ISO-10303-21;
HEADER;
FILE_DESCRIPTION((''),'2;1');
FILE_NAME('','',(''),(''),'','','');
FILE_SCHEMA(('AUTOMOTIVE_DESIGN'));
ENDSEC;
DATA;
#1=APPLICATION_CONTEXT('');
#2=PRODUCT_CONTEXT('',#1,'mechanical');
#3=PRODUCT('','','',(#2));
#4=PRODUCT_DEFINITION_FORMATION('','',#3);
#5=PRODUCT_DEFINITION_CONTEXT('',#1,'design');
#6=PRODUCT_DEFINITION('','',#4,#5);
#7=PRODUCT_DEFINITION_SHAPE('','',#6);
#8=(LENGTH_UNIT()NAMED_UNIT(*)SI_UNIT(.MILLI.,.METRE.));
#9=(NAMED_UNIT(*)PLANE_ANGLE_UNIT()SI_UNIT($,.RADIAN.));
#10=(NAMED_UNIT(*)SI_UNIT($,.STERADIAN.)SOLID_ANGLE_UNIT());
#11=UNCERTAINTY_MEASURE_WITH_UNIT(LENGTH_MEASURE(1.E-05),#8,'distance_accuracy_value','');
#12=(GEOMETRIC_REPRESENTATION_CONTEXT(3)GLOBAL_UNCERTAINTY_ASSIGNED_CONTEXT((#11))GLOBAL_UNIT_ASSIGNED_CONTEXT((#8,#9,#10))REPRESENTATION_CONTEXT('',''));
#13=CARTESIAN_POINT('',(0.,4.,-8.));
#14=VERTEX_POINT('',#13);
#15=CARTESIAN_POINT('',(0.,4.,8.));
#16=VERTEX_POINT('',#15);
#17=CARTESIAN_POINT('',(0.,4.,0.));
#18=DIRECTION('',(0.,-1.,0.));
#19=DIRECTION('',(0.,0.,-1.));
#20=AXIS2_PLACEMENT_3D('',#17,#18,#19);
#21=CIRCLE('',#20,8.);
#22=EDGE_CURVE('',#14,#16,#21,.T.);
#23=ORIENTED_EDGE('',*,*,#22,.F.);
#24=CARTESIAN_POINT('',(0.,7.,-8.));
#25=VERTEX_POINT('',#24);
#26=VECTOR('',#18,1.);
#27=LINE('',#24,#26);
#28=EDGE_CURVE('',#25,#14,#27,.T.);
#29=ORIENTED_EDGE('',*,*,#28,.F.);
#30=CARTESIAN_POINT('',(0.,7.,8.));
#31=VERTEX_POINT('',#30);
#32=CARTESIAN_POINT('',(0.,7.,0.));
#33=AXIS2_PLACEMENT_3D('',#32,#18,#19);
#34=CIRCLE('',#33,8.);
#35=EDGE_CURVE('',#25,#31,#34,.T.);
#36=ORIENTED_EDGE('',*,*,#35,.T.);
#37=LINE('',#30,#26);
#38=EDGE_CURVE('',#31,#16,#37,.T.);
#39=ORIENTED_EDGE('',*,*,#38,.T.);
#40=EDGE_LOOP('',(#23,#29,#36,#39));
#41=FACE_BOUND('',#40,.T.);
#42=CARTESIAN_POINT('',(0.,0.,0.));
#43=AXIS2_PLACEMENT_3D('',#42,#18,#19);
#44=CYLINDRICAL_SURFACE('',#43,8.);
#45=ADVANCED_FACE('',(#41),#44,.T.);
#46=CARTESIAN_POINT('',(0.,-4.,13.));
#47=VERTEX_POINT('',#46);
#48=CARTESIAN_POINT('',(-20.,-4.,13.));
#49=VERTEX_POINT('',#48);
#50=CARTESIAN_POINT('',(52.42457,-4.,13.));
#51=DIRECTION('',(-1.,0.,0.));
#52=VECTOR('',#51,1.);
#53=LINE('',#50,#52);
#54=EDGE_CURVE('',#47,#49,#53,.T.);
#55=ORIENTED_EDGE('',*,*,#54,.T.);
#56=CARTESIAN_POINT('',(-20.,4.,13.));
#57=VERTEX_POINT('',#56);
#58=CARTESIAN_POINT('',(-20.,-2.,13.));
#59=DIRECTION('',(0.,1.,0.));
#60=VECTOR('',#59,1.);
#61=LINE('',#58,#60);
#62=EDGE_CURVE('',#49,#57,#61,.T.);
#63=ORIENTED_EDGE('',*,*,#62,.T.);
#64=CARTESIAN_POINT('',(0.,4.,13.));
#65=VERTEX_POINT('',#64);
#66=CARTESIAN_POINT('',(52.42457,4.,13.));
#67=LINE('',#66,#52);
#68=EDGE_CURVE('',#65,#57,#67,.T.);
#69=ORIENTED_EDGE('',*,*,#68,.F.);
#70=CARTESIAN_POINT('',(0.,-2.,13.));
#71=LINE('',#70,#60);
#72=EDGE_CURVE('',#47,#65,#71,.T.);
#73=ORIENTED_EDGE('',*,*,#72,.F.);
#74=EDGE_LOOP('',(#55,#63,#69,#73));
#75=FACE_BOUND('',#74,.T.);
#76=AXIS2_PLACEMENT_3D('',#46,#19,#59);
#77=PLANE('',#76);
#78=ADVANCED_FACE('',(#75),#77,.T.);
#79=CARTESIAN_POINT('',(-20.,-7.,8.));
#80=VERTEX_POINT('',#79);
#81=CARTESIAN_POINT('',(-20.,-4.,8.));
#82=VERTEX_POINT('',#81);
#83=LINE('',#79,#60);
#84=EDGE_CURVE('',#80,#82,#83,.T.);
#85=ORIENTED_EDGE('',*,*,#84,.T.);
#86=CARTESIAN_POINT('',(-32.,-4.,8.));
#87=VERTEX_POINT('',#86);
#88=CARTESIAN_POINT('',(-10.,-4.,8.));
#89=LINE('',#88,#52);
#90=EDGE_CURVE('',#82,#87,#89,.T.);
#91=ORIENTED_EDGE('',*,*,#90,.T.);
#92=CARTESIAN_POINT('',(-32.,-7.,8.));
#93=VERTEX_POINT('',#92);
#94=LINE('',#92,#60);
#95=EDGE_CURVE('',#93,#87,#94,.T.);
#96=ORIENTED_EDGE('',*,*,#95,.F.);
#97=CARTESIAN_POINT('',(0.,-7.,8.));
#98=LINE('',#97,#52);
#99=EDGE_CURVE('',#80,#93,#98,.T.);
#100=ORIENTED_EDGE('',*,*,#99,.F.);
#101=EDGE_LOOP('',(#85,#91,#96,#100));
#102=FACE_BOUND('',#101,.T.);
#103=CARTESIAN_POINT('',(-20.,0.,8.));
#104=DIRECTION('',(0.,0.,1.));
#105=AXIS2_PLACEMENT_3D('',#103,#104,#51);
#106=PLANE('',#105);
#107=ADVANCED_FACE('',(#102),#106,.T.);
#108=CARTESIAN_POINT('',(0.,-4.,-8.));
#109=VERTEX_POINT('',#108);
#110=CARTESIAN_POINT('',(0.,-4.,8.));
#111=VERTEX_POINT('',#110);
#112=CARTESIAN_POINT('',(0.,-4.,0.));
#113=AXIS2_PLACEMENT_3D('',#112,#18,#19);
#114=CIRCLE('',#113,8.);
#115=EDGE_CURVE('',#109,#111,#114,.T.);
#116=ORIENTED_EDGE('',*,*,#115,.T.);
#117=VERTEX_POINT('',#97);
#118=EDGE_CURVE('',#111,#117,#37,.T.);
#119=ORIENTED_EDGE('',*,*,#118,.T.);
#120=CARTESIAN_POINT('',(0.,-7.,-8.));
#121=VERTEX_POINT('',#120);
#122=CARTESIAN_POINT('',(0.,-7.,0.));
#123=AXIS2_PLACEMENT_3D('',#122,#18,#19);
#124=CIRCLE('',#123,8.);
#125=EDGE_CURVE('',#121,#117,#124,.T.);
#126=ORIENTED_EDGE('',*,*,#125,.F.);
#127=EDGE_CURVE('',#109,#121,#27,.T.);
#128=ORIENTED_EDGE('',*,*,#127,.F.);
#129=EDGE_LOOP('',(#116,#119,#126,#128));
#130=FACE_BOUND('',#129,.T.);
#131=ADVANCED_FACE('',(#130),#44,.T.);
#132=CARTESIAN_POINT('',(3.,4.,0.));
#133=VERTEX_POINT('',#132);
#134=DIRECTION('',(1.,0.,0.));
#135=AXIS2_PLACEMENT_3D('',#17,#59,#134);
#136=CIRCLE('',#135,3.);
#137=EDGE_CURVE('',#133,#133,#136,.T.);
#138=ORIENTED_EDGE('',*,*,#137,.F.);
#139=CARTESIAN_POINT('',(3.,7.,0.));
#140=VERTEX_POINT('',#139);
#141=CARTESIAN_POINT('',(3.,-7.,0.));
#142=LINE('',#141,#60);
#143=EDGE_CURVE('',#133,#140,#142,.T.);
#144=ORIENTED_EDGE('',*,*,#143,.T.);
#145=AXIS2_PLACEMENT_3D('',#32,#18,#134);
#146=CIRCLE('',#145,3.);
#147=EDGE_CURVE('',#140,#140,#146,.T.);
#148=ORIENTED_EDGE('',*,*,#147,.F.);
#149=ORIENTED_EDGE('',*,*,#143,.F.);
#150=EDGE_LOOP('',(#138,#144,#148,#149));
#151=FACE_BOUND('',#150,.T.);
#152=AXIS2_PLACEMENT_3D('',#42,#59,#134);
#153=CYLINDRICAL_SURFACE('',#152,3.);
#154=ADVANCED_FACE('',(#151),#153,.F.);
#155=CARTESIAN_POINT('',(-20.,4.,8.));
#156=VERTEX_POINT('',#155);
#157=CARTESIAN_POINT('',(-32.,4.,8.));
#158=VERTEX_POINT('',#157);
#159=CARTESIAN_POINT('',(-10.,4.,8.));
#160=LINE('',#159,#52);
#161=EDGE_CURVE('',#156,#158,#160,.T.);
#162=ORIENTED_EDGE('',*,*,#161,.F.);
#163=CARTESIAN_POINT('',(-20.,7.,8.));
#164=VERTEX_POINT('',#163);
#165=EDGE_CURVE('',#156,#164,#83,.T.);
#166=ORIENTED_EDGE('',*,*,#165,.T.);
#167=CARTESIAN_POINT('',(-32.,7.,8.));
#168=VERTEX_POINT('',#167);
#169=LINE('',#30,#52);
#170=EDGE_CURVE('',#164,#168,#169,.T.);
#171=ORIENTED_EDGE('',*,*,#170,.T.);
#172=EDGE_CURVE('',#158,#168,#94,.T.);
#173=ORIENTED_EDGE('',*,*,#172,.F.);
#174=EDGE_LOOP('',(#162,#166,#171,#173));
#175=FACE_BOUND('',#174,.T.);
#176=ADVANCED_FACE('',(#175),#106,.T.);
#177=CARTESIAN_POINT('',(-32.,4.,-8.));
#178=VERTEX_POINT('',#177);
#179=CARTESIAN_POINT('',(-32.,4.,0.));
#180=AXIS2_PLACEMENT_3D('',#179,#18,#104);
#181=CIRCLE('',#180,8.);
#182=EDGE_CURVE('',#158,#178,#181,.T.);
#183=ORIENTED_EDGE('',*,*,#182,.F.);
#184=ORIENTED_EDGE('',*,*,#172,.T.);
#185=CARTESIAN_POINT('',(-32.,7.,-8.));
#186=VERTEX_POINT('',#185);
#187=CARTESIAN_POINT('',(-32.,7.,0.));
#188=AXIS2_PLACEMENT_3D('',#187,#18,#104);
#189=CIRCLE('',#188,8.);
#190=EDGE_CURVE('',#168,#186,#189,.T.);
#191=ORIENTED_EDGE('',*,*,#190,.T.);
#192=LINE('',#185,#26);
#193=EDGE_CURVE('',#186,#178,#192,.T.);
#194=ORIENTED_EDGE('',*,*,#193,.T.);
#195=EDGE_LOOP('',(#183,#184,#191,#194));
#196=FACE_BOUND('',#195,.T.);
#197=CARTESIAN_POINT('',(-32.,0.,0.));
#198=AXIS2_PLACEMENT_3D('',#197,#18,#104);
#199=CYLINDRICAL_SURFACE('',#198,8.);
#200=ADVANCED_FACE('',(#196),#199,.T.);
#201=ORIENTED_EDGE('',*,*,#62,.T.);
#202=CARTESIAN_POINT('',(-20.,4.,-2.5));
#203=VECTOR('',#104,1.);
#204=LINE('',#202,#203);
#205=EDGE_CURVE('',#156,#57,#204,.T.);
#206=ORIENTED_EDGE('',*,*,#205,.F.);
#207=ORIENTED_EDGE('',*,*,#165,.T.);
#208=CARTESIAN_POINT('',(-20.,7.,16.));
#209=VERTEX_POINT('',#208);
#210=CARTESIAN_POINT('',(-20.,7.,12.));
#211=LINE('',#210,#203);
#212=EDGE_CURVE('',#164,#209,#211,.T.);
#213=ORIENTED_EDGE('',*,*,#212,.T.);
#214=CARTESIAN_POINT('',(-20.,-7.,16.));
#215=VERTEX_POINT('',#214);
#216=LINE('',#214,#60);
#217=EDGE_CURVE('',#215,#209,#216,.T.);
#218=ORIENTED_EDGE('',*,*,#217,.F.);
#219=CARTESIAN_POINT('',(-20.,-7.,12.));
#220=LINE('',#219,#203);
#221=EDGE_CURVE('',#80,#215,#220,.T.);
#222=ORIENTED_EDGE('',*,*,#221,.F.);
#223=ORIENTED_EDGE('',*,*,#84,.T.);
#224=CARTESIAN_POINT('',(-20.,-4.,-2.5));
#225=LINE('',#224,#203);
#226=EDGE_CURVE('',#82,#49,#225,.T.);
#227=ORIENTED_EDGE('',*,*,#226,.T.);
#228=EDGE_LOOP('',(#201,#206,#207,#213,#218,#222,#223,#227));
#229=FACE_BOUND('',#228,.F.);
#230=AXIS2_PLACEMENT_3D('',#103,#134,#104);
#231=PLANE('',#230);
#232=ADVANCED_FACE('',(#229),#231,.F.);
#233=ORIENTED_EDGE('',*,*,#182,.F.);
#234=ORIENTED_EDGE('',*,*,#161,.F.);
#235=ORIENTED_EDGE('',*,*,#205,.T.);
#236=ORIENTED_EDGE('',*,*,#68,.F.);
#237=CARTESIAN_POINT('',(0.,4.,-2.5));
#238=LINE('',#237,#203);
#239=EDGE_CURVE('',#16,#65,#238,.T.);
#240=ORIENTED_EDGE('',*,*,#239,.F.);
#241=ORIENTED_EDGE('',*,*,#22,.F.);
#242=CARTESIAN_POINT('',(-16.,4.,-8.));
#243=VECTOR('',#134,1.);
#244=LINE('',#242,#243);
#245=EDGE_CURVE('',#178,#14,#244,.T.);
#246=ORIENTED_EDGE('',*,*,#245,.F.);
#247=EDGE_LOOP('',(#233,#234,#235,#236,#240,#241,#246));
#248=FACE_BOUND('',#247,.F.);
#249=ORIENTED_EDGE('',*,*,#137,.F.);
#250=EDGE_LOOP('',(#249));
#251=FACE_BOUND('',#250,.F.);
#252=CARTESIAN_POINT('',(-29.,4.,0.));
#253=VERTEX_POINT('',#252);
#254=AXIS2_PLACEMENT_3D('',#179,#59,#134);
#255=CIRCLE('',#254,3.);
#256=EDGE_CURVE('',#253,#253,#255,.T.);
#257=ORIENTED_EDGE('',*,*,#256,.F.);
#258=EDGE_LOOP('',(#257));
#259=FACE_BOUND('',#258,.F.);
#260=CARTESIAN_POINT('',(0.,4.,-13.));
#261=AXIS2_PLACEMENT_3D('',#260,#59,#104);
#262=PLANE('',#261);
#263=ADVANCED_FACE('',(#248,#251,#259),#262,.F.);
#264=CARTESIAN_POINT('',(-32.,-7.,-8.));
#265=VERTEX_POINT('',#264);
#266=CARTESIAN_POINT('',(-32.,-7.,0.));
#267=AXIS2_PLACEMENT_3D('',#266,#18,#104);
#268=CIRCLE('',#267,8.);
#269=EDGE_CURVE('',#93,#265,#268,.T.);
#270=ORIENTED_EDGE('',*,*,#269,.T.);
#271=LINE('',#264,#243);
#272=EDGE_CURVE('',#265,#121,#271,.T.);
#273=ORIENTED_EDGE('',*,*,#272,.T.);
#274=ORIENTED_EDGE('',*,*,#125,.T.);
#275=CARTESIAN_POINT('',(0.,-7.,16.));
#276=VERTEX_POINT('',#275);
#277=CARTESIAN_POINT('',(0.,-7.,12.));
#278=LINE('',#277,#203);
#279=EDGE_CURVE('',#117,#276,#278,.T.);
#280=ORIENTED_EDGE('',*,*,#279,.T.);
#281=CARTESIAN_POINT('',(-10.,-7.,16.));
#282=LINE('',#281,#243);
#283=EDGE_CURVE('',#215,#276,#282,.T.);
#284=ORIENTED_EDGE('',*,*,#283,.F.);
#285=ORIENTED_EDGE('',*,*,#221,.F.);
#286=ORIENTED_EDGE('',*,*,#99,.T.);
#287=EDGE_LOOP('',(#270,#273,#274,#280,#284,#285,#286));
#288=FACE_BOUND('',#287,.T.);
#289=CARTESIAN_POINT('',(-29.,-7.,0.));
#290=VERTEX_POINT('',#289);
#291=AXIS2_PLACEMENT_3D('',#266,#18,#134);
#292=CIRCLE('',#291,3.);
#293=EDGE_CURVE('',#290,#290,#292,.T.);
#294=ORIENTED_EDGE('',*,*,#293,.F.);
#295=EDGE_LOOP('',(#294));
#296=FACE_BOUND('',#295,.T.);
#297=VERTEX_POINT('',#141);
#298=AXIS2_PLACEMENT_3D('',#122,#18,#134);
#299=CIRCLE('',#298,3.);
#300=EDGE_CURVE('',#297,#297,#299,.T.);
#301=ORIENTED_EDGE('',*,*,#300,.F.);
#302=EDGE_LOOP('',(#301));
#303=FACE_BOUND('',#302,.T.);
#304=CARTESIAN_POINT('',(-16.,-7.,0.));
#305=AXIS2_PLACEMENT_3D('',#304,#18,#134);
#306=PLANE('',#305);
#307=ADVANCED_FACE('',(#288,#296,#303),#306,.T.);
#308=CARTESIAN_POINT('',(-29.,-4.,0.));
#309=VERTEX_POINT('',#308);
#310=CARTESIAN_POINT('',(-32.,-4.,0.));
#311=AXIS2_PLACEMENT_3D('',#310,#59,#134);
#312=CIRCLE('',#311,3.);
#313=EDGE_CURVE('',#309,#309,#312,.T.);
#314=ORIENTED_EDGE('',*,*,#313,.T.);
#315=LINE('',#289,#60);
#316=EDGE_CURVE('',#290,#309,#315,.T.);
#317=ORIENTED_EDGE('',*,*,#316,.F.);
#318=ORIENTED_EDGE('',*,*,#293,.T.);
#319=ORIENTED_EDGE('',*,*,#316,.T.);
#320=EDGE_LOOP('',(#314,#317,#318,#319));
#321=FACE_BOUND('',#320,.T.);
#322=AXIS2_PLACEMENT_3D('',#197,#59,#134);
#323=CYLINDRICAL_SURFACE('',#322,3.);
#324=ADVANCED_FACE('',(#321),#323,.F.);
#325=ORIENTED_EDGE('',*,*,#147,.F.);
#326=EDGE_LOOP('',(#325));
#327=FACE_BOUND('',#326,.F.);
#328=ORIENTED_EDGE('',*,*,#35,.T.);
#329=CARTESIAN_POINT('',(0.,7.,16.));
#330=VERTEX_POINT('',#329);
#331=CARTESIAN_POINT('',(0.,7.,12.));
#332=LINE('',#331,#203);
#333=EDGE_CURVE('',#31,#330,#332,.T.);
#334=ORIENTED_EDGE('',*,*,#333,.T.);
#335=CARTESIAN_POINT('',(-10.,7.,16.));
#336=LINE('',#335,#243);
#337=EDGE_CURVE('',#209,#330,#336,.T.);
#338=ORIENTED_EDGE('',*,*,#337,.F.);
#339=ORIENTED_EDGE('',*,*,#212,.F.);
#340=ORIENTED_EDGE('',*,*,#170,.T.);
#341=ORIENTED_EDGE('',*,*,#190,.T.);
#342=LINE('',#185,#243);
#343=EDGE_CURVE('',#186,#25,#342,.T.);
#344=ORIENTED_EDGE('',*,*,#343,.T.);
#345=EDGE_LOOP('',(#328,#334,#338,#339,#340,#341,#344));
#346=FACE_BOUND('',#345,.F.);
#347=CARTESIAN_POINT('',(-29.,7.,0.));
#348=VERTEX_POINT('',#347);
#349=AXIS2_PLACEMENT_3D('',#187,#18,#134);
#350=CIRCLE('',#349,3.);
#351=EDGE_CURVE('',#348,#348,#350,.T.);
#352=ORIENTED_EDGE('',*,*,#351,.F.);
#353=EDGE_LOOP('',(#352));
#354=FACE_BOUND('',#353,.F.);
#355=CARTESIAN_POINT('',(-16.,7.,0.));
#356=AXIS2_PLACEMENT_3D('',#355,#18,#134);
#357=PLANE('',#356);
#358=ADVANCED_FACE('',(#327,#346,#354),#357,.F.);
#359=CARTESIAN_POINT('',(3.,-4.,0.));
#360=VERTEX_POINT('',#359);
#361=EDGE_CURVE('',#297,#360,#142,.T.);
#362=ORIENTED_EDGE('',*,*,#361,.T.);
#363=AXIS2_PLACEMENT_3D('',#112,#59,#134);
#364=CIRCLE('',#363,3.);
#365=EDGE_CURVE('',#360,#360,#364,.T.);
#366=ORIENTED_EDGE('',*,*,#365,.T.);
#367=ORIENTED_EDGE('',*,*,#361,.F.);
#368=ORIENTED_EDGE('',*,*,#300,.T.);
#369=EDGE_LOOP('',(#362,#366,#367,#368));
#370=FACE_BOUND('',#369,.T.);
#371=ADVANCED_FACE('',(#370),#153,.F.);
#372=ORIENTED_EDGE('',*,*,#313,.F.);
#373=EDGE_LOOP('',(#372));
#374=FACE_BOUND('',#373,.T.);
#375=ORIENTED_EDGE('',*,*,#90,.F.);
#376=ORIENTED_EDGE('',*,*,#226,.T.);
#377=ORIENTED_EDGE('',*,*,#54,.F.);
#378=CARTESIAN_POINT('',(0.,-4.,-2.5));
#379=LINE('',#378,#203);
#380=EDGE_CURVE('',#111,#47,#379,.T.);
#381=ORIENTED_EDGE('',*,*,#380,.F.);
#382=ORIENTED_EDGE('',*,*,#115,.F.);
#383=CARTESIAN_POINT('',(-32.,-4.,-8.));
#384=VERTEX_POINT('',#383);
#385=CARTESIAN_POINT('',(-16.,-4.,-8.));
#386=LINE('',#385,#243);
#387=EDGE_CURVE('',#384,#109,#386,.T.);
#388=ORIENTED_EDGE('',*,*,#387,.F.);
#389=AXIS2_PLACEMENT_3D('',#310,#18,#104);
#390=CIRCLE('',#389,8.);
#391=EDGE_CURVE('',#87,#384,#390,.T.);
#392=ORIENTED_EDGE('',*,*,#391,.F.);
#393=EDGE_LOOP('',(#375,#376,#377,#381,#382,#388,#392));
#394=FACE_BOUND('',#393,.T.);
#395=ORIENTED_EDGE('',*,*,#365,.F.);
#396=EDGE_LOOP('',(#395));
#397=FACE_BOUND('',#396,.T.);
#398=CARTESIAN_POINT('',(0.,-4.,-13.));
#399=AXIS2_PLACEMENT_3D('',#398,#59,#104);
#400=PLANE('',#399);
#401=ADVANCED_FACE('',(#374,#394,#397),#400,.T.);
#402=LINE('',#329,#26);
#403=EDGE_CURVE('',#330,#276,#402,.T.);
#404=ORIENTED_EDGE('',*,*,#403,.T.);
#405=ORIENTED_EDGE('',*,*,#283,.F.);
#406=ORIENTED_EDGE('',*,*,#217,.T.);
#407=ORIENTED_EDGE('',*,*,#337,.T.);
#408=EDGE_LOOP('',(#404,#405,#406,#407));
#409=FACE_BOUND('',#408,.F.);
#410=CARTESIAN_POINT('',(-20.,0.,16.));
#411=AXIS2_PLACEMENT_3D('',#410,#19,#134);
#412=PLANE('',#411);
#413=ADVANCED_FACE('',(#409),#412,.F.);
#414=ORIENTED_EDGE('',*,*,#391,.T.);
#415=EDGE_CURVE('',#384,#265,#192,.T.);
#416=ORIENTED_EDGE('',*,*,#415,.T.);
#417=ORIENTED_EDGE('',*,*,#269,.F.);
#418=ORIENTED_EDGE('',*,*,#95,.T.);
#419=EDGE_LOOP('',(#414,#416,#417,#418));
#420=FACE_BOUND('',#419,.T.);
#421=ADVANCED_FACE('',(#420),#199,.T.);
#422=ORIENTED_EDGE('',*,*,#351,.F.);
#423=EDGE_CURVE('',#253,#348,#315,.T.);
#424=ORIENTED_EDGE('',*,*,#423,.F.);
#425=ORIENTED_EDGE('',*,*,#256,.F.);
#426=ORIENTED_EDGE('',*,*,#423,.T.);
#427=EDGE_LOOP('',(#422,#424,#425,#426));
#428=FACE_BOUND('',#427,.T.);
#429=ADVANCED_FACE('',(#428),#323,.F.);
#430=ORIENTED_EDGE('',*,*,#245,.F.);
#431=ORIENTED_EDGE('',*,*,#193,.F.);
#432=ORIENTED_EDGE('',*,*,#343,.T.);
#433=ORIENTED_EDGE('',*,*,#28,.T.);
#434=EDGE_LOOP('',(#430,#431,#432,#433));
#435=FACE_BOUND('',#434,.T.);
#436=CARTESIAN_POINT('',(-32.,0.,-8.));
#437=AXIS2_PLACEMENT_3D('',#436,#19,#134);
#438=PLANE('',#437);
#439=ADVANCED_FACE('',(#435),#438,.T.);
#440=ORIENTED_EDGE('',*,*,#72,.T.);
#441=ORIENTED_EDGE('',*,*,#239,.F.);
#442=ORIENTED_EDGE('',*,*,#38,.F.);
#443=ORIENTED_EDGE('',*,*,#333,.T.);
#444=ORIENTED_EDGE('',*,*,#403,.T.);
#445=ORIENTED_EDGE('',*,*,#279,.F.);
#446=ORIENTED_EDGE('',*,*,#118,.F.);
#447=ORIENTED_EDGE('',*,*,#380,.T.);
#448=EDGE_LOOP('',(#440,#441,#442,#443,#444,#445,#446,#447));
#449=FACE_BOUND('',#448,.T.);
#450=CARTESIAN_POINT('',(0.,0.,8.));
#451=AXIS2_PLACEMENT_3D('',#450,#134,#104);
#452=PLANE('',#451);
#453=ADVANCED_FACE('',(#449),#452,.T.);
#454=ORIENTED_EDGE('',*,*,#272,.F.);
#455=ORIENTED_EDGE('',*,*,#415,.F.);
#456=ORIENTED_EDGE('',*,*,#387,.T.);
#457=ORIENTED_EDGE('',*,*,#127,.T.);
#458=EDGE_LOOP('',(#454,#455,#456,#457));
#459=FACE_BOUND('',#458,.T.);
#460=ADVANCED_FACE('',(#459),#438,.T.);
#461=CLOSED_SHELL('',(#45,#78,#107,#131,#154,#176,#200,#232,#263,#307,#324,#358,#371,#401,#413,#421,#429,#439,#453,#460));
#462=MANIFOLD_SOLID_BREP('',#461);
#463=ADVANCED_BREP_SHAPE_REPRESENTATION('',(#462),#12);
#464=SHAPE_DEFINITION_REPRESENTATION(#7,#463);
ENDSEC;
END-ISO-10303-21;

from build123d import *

# Parameters (mm, degrees)
F0_R     = 3
F0_W     = 20
F0_H     = 8
F1_DEPTH = 7
F2_W     = 8
F2_H     = 26
F3_DEPTH = 52.42457


with BuildPart() as f1:
    # F0 (on Front) → F1 (new body, symmetric)
    with BuildSketch(Plane.XZ):
        with BuildLine():
            ThreePointArc((-32, 8), (-40, 0), (-32, -8))
            Line((-32, -8), (0, -8))
            ThreePointArc((0, -8), (8, 0), (0, 8))
            Line((0, 8), (-20, 8))
            Line((-20, 8), (-32, 8))
        make_face()
        with Locations((-32, 0)):
            Circle(F0_R, mode=Mode.SUBTRACT)
        Circle(F0_R, mode=Mode.SUBTRACT)
        with Locations((-10, 12)):
            Rectangle(F0_W, F0_H)
    extrude(amount=F1_DEPTH, both=True)

    # F2 (on Right) → F3 (cut, symmetric)
    with BuildSketch(Plane.YZ):
        Rectangle(F2_W, F2_H)
    extrude(amount=F3_DEPTH, both=True, mode=Mode.SUBTRACT)


solid = f1.part
